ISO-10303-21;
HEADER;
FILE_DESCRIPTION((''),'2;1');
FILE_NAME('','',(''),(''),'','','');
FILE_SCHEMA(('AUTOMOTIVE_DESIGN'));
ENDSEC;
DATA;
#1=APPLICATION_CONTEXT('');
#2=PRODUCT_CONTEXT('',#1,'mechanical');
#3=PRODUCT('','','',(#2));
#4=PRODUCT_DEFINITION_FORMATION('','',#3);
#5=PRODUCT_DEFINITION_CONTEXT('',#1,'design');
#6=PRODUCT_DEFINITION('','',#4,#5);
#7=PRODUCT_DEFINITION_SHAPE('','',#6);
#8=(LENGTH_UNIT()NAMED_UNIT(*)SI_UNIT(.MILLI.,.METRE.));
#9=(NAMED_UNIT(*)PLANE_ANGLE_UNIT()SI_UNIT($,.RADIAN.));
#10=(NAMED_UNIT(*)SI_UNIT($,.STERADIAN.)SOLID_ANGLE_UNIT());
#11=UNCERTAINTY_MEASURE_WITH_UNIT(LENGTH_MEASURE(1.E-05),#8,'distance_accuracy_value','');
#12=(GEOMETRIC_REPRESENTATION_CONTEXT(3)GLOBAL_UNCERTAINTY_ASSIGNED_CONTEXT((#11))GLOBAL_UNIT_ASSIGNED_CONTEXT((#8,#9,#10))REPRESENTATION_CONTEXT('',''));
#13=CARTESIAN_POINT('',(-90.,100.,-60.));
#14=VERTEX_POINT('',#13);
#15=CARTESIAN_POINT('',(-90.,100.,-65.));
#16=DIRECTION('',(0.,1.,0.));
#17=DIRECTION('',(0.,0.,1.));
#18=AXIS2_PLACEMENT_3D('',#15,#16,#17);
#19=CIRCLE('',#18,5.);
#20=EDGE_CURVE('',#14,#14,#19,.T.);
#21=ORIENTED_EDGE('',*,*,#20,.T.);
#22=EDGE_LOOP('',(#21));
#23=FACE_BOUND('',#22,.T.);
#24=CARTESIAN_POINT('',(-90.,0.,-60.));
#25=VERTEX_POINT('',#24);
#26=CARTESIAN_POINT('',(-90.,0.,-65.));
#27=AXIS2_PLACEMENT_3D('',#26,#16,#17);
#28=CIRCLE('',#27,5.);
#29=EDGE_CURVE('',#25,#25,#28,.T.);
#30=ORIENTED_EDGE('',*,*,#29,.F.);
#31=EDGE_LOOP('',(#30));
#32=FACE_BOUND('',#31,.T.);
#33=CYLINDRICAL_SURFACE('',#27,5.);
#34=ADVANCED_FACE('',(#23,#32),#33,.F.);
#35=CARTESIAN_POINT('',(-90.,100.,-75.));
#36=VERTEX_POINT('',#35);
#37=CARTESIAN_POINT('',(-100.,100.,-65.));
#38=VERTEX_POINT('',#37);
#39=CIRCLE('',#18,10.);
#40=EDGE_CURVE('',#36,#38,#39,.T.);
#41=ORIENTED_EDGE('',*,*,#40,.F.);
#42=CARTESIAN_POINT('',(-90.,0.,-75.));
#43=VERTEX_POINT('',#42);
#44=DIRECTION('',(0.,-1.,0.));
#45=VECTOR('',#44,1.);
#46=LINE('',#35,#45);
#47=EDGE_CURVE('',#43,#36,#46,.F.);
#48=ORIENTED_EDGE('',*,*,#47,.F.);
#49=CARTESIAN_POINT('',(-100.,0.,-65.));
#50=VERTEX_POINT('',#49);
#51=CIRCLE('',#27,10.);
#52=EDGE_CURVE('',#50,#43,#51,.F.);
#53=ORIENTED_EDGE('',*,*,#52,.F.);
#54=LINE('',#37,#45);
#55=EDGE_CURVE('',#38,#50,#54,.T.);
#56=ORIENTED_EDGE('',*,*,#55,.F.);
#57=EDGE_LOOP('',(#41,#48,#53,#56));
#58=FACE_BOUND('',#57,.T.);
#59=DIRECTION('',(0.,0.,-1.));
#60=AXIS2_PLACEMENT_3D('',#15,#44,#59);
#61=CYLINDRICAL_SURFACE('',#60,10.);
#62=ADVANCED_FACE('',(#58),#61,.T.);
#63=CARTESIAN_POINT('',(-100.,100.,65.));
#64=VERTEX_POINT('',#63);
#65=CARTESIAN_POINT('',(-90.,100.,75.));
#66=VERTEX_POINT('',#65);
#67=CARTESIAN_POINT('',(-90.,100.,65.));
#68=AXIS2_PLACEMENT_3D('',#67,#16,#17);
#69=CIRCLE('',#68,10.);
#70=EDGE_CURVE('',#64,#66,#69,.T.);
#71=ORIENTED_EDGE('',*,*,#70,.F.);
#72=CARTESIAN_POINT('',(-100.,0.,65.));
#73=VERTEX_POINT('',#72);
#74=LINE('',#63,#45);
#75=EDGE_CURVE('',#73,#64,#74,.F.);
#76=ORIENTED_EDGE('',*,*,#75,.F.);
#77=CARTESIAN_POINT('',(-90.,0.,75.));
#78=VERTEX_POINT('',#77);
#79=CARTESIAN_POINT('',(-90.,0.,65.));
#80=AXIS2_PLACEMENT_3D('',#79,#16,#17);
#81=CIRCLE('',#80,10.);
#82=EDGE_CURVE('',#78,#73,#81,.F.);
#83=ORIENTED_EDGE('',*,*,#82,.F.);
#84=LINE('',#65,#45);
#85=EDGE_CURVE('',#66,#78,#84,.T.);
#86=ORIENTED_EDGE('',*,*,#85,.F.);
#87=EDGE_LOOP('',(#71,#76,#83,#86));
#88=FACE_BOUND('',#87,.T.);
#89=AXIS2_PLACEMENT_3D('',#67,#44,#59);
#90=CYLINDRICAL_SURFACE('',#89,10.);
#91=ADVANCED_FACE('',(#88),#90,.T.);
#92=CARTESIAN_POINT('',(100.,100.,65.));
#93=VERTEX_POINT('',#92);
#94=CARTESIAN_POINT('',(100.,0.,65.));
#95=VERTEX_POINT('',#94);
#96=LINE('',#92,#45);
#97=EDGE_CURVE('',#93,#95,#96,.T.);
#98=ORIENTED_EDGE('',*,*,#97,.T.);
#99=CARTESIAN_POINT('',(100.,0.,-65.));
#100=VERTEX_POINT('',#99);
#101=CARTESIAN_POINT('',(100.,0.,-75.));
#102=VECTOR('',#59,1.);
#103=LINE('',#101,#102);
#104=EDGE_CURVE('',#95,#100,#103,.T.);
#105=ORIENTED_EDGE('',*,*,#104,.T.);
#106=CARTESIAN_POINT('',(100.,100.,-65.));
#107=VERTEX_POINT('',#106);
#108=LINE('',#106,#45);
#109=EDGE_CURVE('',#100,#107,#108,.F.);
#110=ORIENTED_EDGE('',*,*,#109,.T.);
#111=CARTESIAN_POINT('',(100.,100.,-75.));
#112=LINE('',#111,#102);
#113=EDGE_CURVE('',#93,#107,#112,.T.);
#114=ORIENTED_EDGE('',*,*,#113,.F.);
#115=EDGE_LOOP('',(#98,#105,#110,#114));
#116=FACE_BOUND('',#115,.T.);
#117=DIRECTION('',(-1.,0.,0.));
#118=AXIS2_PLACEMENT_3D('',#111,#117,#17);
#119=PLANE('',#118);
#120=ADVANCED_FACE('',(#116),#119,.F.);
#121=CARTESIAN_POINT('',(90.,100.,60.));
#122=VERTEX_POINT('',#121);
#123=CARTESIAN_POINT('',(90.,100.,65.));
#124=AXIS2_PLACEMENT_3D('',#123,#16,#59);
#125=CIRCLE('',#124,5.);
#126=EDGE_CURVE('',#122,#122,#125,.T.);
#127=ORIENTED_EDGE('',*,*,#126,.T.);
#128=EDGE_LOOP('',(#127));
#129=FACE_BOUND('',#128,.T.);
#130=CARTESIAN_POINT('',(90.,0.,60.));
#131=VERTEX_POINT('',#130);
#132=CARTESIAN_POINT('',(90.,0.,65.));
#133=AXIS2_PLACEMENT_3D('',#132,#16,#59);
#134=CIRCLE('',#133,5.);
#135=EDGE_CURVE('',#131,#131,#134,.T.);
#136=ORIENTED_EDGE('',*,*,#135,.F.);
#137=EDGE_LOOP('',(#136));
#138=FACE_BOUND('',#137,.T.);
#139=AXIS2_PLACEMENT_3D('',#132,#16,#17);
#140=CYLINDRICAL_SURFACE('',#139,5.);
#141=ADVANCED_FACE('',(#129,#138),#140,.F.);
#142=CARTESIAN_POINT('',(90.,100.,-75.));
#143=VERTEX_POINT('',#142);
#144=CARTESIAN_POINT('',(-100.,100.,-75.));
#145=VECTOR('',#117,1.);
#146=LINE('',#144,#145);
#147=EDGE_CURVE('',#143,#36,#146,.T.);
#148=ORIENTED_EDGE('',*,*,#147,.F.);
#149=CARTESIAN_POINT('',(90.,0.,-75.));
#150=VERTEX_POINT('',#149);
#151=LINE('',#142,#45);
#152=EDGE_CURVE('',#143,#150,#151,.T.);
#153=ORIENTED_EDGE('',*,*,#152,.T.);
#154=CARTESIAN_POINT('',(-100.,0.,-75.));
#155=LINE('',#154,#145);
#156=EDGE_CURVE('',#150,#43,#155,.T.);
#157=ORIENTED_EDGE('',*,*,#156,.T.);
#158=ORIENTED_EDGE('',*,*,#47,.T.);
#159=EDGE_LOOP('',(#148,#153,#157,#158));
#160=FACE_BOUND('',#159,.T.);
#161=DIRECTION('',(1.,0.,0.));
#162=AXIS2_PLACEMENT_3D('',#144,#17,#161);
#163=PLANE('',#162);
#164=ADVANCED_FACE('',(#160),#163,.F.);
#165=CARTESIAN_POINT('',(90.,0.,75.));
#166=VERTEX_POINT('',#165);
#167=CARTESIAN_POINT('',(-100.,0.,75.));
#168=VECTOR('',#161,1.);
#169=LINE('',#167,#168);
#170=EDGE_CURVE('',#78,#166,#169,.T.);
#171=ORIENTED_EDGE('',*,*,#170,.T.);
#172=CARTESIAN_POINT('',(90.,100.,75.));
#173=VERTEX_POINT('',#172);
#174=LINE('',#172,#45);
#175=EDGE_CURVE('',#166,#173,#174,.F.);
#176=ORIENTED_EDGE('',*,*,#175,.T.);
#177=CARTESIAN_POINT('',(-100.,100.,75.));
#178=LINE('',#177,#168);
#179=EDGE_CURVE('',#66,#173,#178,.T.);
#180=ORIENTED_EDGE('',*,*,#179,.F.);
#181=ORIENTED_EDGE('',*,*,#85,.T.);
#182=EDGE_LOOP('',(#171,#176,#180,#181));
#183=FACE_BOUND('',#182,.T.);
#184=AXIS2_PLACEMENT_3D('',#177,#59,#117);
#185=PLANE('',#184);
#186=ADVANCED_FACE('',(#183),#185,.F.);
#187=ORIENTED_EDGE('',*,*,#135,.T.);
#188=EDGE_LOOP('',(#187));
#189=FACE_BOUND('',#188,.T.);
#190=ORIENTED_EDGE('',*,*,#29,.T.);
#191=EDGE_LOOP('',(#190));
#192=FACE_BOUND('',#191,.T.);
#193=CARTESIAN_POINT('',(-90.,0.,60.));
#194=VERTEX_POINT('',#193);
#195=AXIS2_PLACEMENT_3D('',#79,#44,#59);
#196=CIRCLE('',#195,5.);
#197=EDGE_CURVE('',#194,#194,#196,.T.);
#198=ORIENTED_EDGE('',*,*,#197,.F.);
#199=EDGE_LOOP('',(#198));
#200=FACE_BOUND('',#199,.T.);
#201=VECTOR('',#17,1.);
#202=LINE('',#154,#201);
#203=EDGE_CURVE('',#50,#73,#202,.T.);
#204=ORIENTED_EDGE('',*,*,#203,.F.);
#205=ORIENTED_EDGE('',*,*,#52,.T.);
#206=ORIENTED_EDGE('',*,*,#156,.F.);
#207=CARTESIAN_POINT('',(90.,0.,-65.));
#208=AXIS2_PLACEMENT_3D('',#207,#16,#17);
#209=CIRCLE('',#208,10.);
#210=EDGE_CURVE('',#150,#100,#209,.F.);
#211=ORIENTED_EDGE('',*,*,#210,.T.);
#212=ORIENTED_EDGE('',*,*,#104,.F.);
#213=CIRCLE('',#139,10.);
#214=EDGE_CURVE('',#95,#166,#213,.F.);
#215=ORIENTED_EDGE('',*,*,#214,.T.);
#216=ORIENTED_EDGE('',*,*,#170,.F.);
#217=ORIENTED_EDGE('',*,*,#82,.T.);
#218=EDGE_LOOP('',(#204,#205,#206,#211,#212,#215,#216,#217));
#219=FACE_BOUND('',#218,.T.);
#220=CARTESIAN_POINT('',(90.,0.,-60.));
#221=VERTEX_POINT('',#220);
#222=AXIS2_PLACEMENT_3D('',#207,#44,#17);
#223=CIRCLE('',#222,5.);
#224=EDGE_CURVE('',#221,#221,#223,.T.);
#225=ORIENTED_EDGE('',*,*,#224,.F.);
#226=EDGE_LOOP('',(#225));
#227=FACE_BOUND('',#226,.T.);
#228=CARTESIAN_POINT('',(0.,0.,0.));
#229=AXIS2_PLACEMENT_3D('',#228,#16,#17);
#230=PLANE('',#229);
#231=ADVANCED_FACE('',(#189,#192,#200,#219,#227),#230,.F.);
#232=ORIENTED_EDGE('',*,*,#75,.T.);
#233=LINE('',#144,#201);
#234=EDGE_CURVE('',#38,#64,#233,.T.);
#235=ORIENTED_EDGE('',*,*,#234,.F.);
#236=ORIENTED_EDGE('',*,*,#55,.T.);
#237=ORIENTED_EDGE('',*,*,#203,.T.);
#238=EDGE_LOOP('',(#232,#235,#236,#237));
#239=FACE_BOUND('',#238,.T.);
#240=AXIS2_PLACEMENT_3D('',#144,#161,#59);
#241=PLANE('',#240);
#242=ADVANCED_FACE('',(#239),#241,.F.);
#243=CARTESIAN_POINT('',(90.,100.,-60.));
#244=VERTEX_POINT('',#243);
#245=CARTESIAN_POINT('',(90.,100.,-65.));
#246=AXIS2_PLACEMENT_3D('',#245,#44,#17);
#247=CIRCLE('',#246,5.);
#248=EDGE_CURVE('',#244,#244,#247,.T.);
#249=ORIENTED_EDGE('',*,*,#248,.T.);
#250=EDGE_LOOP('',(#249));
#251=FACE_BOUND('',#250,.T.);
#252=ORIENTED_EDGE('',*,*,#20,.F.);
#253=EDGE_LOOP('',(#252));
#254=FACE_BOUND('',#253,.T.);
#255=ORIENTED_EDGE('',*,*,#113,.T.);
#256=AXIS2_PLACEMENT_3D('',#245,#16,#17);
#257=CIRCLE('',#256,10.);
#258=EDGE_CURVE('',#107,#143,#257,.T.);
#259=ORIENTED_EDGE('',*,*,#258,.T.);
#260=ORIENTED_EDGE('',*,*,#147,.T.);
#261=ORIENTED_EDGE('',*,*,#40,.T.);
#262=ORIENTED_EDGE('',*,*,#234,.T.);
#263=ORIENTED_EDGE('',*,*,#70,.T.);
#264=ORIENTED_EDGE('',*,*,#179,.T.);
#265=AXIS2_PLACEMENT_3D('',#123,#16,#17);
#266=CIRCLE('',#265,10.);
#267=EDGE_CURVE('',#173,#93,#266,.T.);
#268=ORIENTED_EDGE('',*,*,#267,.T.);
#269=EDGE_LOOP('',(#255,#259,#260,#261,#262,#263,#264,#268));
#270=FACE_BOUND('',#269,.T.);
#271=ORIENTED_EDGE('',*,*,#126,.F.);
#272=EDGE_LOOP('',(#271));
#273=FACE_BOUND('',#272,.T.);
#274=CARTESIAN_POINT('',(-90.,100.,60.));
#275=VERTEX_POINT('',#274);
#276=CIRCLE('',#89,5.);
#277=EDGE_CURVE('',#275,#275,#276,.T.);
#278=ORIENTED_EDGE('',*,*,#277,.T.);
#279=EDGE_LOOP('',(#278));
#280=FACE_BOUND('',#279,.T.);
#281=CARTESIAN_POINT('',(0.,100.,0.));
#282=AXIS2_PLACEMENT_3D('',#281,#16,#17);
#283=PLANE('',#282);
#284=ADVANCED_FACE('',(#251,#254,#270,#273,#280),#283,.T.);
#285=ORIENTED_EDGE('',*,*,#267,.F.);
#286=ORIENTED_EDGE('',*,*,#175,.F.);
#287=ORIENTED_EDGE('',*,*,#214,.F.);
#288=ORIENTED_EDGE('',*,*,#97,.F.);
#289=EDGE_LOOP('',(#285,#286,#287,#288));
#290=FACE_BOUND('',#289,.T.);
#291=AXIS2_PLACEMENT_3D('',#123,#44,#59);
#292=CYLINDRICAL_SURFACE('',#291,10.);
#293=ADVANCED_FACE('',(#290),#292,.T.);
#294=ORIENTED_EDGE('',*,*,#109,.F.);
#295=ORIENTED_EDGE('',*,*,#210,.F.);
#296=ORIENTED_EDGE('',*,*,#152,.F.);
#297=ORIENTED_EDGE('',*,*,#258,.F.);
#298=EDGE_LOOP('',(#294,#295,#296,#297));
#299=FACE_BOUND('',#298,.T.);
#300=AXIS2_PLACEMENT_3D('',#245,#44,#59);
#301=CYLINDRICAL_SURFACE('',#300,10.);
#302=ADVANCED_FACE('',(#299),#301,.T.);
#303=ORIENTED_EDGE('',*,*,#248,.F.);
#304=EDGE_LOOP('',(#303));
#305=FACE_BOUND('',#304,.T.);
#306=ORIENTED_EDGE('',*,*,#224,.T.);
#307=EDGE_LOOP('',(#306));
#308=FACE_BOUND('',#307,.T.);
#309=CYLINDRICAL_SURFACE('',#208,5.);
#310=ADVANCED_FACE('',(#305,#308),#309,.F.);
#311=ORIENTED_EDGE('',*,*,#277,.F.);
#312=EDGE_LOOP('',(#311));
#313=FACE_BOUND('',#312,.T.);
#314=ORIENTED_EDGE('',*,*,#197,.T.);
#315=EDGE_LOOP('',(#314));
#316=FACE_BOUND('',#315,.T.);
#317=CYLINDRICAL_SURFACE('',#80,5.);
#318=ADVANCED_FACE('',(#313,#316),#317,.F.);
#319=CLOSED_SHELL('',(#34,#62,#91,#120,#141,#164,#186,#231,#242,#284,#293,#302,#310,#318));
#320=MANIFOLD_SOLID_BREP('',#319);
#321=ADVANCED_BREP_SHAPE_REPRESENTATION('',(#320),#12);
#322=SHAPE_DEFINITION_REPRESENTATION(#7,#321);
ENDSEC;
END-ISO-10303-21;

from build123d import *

# Parameters (mm, degrees)
CROQUIS1_W                                 = 200
CROQUIS1_H                                 = 150
SALIENTE_EXTRUIR1_DEPTH                    = 100
REDONDEO1_R                                = 10
CROQUIS2_R                                 = 5
CORTAR_EXTRUIR1_DEPTH                      = 161.078105936
SIMETR_A1_AT_THE_SECOND_PLANE_COPY_1_SKE_R = 5
SIMETR_A1_AT_THE_SECOND_PLANE_COPY_1_DEPTH = 161.078105936


with BuildPart() as part:
    # Croquis1 → Saliente-Extruir1 (new body)
    with BuildSketch(Plane(origin=(0, 0, 0), x_dir=(1, 0, 0), z_dir=(0, 1, 0))):
        Rectangle(CROQUIS1_W, CROQUIS1_H)
    extrude(amount=SALIENTE_EXTRUIR1_DEPTH)

    # Redondeo1
    redondeo1_edges = [part.edges().sort_by_distance(p)[0] for p in [
        (-100, 50, -75),
        (100, 50, -75),
        (100, 50, 75),
        (-100, 50, 75),
    ]]
    fillet(redondeo1_edges, radius=REDONDEO1_R)

    # Croquis2 → Cortar-Extruir1 (cut, through all)
    with BuildSketch(Plane(origin=(0, 100, 0), x_dir=(1, 0, 0), z_dir=(0, 1, 0))):
        with Locations(Location((-90, 65, 0), (0, 0, 270))):
            Circle(CROQUIS2_R)
    cortar_extruir1 = extrude(amount=-CORTAR_EXTRUIR1_DEPTH, mode=Mode.SUBTRACT)

    # Simetría1: Cortar-Extruir1 across plane
    add(cortar_extruir1.mirror(Plane.XY), mode=Mode.SUBTRACT)

    # Simetría1 at the second plane: Cortar-Extruir1 across plane
    add(cortar_extruir1.mirror(Plane(origin=(0, 0, 0), x_dir=(0, 0, 1), z_dir=(1, 0, 0))), mode=Mode.SUBTRACT)

    # Simetría1 at the second plane copy 1 ske → Simetría1 at the second plane copy 1 (cut, through all)
    with BuildSketch(Plane(origin=(0, 100, 0), x_dir=(-1, 0, 0), z_dir=(0, 1, 0))):
        with Locations(Location((-90, 65, 0), (0, 0, 270))):
            Circle(SIMETR_A1_AT_THE_SECOND_PLANE_COPY_1_SKE_R)
    extrude(amount=-SIMETR_A1_AT_THE_SECOND_PLANE_COPY_1_DEPTH, mode=Mode.SUBTRACT)


solid = part.part
